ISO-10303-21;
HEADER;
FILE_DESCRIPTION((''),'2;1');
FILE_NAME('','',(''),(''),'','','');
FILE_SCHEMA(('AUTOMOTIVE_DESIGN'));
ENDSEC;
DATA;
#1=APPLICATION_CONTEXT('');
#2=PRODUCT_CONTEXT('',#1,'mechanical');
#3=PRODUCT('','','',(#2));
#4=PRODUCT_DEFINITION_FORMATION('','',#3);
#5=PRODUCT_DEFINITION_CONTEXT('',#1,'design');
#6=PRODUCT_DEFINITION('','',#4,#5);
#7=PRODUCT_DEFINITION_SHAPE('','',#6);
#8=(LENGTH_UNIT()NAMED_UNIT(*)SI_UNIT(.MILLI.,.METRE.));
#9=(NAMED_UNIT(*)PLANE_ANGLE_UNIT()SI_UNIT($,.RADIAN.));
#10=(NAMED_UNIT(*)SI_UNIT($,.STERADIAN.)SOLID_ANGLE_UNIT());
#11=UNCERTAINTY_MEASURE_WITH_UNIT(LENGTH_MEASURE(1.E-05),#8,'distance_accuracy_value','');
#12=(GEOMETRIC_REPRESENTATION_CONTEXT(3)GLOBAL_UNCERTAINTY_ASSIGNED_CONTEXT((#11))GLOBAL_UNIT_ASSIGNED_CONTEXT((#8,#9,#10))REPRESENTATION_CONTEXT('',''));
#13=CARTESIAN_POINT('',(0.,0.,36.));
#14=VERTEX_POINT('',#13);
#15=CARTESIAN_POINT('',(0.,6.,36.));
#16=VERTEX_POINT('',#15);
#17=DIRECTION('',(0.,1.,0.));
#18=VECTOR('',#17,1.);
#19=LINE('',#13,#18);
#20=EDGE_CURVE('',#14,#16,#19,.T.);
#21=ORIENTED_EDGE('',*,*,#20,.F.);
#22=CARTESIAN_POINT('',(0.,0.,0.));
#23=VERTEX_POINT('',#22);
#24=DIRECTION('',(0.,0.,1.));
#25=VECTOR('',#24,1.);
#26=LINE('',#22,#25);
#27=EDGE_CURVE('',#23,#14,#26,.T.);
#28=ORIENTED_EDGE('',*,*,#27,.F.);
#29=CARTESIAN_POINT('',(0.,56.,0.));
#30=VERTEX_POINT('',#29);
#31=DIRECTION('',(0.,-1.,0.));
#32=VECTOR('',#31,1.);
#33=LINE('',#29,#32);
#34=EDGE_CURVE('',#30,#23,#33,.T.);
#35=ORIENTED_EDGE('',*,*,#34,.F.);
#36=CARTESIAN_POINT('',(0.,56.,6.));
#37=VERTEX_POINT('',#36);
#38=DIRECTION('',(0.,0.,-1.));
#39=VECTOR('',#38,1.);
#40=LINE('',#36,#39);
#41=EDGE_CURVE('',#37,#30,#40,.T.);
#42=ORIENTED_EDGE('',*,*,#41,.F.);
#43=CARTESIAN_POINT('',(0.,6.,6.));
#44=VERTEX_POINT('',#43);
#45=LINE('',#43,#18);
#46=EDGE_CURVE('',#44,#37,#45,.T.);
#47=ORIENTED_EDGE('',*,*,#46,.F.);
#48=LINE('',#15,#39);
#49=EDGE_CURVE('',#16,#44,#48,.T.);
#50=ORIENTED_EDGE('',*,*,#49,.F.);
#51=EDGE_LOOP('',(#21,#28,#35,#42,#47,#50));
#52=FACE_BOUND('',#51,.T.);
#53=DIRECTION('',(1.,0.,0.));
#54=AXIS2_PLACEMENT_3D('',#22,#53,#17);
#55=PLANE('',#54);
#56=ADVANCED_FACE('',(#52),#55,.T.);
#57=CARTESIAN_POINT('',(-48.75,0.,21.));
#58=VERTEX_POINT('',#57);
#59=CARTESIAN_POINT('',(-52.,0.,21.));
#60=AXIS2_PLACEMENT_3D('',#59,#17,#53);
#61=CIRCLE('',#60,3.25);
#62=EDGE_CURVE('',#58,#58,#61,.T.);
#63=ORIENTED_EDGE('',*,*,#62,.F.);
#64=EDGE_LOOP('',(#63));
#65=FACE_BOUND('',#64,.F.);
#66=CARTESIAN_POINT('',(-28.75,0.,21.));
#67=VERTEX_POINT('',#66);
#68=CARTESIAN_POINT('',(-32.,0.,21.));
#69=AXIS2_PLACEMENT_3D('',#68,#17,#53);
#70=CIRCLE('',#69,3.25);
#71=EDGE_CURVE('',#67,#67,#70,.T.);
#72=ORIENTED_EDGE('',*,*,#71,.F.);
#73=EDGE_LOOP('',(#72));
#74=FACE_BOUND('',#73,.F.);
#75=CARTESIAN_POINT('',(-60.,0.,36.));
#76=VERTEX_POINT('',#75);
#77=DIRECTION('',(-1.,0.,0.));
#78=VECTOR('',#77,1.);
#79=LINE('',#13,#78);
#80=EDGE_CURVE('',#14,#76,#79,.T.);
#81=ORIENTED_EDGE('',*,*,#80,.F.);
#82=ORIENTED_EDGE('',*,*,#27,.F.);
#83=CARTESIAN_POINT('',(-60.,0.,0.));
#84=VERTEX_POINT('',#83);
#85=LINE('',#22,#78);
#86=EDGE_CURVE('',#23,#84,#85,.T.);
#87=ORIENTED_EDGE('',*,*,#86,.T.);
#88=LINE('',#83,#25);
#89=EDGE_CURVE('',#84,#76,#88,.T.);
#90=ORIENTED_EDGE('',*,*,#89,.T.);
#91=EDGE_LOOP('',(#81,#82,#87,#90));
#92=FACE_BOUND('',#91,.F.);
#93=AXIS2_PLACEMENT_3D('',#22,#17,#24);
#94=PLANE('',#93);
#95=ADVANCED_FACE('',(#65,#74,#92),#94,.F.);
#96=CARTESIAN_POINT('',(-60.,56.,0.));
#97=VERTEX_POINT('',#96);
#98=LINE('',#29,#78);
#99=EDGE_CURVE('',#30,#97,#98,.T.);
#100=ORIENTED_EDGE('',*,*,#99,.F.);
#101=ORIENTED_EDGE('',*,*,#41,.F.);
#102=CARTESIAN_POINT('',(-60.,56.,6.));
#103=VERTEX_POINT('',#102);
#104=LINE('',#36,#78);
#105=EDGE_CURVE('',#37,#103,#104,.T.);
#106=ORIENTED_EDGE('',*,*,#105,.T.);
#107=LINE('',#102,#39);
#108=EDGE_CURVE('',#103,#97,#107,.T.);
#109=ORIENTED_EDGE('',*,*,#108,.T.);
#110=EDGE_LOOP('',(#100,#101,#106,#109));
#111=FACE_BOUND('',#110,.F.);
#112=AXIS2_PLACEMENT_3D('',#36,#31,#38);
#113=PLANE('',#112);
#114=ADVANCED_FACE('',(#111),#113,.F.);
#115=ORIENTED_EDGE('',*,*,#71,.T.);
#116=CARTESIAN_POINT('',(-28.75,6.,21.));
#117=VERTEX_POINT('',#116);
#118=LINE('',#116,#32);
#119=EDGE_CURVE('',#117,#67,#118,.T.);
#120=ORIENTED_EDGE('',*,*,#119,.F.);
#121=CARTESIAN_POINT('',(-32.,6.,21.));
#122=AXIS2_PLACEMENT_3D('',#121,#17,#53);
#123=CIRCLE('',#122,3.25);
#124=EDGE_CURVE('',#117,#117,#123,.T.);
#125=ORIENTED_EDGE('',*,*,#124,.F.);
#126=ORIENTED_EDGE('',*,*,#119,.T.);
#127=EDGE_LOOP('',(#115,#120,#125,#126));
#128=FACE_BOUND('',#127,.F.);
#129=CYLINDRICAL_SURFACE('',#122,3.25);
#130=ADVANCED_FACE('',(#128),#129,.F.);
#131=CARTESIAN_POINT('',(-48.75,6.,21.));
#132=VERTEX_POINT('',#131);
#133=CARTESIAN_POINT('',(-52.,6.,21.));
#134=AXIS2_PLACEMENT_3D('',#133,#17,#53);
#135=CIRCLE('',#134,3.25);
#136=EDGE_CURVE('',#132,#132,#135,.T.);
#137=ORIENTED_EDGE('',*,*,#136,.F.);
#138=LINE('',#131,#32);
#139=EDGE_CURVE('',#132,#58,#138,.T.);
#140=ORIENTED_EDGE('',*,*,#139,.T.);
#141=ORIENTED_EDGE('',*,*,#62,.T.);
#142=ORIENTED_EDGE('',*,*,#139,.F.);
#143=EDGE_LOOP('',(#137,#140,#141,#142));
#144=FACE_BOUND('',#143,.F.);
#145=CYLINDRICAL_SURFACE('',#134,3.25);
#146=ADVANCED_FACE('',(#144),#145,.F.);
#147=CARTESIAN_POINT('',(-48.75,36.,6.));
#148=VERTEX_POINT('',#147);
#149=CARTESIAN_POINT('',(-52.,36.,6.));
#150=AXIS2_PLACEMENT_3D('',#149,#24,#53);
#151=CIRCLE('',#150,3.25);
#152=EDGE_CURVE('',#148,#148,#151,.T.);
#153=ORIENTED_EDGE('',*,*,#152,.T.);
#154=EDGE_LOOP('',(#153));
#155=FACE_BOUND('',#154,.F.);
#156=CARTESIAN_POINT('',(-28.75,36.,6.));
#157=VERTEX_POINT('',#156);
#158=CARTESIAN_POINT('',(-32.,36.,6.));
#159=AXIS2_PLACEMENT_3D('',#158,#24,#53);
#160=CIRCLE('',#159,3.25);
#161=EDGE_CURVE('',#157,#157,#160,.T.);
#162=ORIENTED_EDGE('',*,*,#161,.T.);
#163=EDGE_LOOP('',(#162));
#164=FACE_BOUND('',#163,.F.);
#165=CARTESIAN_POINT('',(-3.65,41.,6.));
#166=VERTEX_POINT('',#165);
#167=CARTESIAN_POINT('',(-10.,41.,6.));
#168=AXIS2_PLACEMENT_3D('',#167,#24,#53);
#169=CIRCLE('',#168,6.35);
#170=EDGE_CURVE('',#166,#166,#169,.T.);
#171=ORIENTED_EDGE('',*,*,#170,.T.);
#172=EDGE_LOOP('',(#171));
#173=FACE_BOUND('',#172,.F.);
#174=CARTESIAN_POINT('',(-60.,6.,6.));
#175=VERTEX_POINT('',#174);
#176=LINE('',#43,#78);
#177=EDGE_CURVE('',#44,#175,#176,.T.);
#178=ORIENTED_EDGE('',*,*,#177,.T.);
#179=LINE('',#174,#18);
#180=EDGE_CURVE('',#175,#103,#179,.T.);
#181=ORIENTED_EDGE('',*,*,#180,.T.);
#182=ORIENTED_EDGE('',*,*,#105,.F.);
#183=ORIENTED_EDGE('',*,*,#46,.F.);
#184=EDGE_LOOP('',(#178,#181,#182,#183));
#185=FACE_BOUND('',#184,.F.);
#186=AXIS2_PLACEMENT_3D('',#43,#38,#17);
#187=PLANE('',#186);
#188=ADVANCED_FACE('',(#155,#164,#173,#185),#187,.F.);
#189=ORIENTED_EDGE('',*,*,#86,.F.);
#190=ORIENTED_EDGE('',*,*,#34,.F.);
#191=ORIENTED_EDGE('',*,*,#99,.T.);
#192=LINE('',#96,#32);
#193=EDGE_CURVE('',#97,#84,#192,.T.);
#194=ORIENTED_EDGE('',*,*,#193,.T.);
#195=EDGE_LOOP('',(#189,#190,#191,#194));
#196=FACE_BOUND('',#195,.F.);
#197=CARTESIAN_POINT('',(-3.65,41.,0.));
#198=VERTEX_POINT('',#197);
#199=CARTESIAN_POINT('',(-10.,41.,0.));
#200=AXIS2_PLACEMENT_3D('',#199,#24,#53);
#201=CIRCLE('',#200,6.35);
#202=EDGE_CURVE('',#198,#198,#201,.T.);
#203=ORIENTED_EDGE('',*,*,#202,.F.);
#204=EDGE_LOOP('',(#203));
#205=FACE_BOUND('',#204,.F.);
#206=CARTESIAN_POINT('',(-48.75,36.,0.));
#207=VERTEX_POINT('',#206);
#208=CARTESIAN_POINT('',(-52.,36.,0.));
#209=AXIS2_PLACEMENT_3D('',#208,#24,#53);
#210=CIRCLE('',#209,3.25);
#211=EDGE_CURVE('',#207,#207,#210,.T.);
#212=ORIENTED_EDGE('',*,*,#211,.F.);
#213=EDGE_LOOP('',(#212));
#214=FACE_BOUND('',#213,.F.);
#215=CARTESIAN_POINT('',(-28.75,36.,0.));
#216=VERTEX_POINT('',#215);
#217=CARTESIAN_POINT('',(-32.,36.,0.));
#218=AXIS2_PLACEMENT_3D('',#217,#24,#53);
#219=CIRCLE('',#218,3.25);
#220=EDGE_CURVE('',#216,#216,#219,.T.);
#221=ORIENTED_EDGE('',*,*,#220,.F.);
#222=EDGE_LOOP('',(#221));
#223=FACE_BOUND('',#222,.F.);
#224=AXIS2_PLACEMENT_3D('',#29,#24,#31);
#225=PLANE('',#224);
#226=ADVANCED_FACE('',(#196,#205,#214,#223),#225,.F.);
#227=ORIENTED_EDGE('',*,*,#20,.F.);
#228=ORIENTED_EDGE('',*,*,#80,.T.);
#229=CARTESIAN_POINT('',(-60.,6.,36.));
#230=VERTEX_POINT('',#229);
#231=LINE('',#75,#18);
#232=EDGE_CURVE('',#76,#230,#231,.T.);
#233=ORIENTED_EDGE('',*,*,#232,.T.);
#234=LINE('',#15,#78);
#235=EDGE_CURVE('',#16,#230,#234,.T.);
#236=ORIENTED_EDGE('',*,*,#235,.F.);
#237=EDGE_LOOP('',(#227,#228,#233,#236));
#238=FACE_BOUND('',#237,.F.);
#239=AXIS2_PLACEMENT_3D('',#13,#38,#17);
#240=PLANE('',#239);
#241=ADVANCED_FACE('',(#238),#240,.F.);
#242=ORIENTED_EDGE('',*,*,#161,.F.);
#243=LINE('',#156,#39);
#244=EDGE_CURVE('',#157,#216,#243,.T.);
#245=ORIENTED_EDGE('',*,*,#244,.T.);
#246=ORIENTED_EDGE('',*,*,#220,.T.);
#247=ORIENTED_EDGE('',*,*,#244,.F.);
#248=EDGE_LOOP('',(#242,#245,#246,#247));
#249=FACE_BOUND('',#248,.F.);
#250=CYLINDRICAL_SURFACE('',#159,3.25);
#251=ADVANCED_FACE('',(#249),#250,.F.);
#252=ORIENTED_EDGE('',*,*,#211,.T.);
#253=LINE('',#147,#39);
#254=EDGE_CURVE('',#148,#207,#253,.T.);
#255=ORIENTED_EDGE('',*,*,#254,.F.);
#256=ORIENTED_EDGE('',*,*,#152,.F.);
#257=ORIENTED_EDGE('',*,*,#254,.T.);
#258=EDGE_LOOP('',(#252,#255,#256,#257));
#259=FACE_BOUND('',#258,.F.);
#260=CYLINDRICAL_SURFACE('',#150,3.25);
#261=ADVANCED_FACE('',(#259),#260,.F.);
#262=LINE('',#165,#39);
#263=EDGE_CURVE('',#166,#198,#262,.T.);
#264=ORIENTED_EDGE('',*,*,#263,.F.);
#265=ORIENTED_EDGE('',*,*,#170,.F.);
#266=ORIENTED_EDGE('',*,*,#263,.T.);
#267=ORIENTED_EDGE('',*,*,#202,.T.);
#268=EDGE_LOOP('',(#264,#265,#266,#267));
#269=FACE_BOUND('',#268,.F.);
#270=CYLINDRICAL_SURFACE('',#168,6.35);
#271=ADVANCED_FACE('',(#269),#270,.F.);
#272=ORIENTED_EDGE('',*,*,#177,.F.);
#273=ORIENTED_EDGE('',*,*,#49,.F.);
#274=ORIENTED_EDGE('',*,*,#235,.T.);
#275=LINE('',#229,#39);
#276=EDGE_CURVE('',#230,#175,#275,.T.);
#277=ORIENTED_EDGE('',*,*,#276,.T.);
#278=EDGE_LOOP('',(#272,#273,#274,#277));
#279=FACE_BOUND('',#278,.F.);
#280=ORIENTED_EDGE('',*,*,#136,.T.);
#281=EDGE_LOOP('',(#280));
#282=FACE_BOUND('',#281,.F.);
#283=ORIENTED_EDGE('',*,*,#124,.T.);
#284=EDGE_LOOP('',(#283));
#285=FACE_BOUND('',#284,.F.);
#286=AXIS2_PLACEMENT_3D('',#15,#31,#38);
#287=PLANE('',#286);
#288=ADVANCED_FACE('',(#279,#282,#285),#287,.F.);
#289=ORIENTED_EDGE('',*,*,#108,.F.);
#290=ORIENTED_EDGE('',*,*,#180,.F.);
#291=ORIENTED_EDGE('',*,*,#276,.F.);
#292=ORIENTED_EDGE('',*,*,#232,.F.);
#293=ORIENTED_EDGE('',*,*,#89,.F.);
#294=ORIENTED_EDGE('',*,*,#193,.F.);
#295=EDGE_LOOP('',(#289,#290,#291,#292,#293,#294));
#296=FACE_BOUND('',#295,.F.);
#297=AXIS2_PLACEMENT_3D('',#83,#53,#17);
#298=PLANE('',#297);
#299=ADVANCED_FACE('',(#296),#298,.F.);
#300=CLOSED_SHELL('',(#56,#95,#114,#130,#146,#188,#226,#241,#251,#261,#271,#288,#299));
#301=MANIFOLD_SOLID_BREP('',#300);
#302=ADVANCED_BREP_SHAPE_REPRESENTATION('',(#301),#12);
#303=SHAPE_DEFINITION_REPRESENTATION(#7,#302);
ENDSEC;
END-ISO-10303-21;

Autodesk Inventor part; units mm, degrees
ref_plane "YZ Plane" through (0, 0, 0) normal (1, 0, 0) x (0, 1, 0)
ref_plane "XZ Plane" through (0, 0, 0) normal (0, 1, 0) x (-1, 0, 0)
ref_plane "XY Plane" through (0, 0, 0) normal (0, 0, 1) x (1, 0, 0)
sketch "Sketch1" plane through (0, 0, 0) normal (1, 0, 0) x (0, 1, 0)
  line L0 (0, 0) -> (0, 36)
  line L1 (0, 36) -> (6, 36)
  line L2 (6, 36) -> (6, 6)
  line L3 (6, 6) -> (56, 6)
  line L4 (56, 6) -> (56, 0)
  line L5 (56, 0) -> (0, 0)
  dimension "d0" = 36
  dimension "d1" = 6
  dimension "d2" = 30
  dimension "d3" = 50
  dimension "d4" = 6
  dimension "d5" = 56
extrude "Extrusion1" add sketch "Sketch1" against normal blind 60
sketch "Sketch2" plane through (0, 6, 36) normal (0, 1, 0) x (1, 0, 0)
  circle A0 centre (-52, 15) radius 3.25
  circle A1 centre (-32, 15) radius 3.25
  line L0 (0, 0) -> (-60, 0) projected
  line L1 (0, 30) -> (0, 0) projected
  line L2 (-60, 0) -> (-60, 30) projected
  line L3 (-60, 30) -> (-20.277, 30) construction
  point P0 (0, 36)
  point P1 (-5.4498, 30)
  dimension "d8" = 6.5
  dimension "d9" = 6.5
  dimension "d10" = 20
  dimension "d11" = 15
  dimension "d12" = 15
  dimension "d13" = 32
sketch "Sketch3" plane through (0, 6, 6) normal (0, 0, 1) x (1, 0, 0)
  circle A0 centre (-52, 30) radius 3.25
  line L0 (-60, 0) -> (-60, 50) projected
  line L1 (0, 50) -> (-60, 50) projected
  circle A1 centre (-32, 30) radius 3.25
  point P0 (0, -6)
  dimension "d14" = 6.5
  dimension "d15" = 8
  dimension "d16" = 20
  dimension "d17" = 6.5
  dimension "d18" = 20
  dimension "d27" = 50
extrude "Extrusion2" cut sketch "Sketch3" against normal blind 6
extrude "Extrusion3" cut sketch "Sketch2" against normal blind 6
sketch "Sketch4" plane through (0, 6, 6) normal (0, 0, 1) x (1, 0, 0)
  circle A0 centre (-10, 35) radius 6.35
  line L0 (0, 50) -> (0, 0) projected
  line L1 (0, 50) -> (-60, 50) projected
  line L2 (-60, 0) -> (-60, 50) projected
  point P0 (0, -6)
  point P1 (0, 25)
  dimension "d23" = 12.7
  dimension "d28" = 15
  dimension "d29" = 50
extrude "Extrusion4" cut sketch "Sketch4" against normal blind 6
properties part number "Base_Connector1"
